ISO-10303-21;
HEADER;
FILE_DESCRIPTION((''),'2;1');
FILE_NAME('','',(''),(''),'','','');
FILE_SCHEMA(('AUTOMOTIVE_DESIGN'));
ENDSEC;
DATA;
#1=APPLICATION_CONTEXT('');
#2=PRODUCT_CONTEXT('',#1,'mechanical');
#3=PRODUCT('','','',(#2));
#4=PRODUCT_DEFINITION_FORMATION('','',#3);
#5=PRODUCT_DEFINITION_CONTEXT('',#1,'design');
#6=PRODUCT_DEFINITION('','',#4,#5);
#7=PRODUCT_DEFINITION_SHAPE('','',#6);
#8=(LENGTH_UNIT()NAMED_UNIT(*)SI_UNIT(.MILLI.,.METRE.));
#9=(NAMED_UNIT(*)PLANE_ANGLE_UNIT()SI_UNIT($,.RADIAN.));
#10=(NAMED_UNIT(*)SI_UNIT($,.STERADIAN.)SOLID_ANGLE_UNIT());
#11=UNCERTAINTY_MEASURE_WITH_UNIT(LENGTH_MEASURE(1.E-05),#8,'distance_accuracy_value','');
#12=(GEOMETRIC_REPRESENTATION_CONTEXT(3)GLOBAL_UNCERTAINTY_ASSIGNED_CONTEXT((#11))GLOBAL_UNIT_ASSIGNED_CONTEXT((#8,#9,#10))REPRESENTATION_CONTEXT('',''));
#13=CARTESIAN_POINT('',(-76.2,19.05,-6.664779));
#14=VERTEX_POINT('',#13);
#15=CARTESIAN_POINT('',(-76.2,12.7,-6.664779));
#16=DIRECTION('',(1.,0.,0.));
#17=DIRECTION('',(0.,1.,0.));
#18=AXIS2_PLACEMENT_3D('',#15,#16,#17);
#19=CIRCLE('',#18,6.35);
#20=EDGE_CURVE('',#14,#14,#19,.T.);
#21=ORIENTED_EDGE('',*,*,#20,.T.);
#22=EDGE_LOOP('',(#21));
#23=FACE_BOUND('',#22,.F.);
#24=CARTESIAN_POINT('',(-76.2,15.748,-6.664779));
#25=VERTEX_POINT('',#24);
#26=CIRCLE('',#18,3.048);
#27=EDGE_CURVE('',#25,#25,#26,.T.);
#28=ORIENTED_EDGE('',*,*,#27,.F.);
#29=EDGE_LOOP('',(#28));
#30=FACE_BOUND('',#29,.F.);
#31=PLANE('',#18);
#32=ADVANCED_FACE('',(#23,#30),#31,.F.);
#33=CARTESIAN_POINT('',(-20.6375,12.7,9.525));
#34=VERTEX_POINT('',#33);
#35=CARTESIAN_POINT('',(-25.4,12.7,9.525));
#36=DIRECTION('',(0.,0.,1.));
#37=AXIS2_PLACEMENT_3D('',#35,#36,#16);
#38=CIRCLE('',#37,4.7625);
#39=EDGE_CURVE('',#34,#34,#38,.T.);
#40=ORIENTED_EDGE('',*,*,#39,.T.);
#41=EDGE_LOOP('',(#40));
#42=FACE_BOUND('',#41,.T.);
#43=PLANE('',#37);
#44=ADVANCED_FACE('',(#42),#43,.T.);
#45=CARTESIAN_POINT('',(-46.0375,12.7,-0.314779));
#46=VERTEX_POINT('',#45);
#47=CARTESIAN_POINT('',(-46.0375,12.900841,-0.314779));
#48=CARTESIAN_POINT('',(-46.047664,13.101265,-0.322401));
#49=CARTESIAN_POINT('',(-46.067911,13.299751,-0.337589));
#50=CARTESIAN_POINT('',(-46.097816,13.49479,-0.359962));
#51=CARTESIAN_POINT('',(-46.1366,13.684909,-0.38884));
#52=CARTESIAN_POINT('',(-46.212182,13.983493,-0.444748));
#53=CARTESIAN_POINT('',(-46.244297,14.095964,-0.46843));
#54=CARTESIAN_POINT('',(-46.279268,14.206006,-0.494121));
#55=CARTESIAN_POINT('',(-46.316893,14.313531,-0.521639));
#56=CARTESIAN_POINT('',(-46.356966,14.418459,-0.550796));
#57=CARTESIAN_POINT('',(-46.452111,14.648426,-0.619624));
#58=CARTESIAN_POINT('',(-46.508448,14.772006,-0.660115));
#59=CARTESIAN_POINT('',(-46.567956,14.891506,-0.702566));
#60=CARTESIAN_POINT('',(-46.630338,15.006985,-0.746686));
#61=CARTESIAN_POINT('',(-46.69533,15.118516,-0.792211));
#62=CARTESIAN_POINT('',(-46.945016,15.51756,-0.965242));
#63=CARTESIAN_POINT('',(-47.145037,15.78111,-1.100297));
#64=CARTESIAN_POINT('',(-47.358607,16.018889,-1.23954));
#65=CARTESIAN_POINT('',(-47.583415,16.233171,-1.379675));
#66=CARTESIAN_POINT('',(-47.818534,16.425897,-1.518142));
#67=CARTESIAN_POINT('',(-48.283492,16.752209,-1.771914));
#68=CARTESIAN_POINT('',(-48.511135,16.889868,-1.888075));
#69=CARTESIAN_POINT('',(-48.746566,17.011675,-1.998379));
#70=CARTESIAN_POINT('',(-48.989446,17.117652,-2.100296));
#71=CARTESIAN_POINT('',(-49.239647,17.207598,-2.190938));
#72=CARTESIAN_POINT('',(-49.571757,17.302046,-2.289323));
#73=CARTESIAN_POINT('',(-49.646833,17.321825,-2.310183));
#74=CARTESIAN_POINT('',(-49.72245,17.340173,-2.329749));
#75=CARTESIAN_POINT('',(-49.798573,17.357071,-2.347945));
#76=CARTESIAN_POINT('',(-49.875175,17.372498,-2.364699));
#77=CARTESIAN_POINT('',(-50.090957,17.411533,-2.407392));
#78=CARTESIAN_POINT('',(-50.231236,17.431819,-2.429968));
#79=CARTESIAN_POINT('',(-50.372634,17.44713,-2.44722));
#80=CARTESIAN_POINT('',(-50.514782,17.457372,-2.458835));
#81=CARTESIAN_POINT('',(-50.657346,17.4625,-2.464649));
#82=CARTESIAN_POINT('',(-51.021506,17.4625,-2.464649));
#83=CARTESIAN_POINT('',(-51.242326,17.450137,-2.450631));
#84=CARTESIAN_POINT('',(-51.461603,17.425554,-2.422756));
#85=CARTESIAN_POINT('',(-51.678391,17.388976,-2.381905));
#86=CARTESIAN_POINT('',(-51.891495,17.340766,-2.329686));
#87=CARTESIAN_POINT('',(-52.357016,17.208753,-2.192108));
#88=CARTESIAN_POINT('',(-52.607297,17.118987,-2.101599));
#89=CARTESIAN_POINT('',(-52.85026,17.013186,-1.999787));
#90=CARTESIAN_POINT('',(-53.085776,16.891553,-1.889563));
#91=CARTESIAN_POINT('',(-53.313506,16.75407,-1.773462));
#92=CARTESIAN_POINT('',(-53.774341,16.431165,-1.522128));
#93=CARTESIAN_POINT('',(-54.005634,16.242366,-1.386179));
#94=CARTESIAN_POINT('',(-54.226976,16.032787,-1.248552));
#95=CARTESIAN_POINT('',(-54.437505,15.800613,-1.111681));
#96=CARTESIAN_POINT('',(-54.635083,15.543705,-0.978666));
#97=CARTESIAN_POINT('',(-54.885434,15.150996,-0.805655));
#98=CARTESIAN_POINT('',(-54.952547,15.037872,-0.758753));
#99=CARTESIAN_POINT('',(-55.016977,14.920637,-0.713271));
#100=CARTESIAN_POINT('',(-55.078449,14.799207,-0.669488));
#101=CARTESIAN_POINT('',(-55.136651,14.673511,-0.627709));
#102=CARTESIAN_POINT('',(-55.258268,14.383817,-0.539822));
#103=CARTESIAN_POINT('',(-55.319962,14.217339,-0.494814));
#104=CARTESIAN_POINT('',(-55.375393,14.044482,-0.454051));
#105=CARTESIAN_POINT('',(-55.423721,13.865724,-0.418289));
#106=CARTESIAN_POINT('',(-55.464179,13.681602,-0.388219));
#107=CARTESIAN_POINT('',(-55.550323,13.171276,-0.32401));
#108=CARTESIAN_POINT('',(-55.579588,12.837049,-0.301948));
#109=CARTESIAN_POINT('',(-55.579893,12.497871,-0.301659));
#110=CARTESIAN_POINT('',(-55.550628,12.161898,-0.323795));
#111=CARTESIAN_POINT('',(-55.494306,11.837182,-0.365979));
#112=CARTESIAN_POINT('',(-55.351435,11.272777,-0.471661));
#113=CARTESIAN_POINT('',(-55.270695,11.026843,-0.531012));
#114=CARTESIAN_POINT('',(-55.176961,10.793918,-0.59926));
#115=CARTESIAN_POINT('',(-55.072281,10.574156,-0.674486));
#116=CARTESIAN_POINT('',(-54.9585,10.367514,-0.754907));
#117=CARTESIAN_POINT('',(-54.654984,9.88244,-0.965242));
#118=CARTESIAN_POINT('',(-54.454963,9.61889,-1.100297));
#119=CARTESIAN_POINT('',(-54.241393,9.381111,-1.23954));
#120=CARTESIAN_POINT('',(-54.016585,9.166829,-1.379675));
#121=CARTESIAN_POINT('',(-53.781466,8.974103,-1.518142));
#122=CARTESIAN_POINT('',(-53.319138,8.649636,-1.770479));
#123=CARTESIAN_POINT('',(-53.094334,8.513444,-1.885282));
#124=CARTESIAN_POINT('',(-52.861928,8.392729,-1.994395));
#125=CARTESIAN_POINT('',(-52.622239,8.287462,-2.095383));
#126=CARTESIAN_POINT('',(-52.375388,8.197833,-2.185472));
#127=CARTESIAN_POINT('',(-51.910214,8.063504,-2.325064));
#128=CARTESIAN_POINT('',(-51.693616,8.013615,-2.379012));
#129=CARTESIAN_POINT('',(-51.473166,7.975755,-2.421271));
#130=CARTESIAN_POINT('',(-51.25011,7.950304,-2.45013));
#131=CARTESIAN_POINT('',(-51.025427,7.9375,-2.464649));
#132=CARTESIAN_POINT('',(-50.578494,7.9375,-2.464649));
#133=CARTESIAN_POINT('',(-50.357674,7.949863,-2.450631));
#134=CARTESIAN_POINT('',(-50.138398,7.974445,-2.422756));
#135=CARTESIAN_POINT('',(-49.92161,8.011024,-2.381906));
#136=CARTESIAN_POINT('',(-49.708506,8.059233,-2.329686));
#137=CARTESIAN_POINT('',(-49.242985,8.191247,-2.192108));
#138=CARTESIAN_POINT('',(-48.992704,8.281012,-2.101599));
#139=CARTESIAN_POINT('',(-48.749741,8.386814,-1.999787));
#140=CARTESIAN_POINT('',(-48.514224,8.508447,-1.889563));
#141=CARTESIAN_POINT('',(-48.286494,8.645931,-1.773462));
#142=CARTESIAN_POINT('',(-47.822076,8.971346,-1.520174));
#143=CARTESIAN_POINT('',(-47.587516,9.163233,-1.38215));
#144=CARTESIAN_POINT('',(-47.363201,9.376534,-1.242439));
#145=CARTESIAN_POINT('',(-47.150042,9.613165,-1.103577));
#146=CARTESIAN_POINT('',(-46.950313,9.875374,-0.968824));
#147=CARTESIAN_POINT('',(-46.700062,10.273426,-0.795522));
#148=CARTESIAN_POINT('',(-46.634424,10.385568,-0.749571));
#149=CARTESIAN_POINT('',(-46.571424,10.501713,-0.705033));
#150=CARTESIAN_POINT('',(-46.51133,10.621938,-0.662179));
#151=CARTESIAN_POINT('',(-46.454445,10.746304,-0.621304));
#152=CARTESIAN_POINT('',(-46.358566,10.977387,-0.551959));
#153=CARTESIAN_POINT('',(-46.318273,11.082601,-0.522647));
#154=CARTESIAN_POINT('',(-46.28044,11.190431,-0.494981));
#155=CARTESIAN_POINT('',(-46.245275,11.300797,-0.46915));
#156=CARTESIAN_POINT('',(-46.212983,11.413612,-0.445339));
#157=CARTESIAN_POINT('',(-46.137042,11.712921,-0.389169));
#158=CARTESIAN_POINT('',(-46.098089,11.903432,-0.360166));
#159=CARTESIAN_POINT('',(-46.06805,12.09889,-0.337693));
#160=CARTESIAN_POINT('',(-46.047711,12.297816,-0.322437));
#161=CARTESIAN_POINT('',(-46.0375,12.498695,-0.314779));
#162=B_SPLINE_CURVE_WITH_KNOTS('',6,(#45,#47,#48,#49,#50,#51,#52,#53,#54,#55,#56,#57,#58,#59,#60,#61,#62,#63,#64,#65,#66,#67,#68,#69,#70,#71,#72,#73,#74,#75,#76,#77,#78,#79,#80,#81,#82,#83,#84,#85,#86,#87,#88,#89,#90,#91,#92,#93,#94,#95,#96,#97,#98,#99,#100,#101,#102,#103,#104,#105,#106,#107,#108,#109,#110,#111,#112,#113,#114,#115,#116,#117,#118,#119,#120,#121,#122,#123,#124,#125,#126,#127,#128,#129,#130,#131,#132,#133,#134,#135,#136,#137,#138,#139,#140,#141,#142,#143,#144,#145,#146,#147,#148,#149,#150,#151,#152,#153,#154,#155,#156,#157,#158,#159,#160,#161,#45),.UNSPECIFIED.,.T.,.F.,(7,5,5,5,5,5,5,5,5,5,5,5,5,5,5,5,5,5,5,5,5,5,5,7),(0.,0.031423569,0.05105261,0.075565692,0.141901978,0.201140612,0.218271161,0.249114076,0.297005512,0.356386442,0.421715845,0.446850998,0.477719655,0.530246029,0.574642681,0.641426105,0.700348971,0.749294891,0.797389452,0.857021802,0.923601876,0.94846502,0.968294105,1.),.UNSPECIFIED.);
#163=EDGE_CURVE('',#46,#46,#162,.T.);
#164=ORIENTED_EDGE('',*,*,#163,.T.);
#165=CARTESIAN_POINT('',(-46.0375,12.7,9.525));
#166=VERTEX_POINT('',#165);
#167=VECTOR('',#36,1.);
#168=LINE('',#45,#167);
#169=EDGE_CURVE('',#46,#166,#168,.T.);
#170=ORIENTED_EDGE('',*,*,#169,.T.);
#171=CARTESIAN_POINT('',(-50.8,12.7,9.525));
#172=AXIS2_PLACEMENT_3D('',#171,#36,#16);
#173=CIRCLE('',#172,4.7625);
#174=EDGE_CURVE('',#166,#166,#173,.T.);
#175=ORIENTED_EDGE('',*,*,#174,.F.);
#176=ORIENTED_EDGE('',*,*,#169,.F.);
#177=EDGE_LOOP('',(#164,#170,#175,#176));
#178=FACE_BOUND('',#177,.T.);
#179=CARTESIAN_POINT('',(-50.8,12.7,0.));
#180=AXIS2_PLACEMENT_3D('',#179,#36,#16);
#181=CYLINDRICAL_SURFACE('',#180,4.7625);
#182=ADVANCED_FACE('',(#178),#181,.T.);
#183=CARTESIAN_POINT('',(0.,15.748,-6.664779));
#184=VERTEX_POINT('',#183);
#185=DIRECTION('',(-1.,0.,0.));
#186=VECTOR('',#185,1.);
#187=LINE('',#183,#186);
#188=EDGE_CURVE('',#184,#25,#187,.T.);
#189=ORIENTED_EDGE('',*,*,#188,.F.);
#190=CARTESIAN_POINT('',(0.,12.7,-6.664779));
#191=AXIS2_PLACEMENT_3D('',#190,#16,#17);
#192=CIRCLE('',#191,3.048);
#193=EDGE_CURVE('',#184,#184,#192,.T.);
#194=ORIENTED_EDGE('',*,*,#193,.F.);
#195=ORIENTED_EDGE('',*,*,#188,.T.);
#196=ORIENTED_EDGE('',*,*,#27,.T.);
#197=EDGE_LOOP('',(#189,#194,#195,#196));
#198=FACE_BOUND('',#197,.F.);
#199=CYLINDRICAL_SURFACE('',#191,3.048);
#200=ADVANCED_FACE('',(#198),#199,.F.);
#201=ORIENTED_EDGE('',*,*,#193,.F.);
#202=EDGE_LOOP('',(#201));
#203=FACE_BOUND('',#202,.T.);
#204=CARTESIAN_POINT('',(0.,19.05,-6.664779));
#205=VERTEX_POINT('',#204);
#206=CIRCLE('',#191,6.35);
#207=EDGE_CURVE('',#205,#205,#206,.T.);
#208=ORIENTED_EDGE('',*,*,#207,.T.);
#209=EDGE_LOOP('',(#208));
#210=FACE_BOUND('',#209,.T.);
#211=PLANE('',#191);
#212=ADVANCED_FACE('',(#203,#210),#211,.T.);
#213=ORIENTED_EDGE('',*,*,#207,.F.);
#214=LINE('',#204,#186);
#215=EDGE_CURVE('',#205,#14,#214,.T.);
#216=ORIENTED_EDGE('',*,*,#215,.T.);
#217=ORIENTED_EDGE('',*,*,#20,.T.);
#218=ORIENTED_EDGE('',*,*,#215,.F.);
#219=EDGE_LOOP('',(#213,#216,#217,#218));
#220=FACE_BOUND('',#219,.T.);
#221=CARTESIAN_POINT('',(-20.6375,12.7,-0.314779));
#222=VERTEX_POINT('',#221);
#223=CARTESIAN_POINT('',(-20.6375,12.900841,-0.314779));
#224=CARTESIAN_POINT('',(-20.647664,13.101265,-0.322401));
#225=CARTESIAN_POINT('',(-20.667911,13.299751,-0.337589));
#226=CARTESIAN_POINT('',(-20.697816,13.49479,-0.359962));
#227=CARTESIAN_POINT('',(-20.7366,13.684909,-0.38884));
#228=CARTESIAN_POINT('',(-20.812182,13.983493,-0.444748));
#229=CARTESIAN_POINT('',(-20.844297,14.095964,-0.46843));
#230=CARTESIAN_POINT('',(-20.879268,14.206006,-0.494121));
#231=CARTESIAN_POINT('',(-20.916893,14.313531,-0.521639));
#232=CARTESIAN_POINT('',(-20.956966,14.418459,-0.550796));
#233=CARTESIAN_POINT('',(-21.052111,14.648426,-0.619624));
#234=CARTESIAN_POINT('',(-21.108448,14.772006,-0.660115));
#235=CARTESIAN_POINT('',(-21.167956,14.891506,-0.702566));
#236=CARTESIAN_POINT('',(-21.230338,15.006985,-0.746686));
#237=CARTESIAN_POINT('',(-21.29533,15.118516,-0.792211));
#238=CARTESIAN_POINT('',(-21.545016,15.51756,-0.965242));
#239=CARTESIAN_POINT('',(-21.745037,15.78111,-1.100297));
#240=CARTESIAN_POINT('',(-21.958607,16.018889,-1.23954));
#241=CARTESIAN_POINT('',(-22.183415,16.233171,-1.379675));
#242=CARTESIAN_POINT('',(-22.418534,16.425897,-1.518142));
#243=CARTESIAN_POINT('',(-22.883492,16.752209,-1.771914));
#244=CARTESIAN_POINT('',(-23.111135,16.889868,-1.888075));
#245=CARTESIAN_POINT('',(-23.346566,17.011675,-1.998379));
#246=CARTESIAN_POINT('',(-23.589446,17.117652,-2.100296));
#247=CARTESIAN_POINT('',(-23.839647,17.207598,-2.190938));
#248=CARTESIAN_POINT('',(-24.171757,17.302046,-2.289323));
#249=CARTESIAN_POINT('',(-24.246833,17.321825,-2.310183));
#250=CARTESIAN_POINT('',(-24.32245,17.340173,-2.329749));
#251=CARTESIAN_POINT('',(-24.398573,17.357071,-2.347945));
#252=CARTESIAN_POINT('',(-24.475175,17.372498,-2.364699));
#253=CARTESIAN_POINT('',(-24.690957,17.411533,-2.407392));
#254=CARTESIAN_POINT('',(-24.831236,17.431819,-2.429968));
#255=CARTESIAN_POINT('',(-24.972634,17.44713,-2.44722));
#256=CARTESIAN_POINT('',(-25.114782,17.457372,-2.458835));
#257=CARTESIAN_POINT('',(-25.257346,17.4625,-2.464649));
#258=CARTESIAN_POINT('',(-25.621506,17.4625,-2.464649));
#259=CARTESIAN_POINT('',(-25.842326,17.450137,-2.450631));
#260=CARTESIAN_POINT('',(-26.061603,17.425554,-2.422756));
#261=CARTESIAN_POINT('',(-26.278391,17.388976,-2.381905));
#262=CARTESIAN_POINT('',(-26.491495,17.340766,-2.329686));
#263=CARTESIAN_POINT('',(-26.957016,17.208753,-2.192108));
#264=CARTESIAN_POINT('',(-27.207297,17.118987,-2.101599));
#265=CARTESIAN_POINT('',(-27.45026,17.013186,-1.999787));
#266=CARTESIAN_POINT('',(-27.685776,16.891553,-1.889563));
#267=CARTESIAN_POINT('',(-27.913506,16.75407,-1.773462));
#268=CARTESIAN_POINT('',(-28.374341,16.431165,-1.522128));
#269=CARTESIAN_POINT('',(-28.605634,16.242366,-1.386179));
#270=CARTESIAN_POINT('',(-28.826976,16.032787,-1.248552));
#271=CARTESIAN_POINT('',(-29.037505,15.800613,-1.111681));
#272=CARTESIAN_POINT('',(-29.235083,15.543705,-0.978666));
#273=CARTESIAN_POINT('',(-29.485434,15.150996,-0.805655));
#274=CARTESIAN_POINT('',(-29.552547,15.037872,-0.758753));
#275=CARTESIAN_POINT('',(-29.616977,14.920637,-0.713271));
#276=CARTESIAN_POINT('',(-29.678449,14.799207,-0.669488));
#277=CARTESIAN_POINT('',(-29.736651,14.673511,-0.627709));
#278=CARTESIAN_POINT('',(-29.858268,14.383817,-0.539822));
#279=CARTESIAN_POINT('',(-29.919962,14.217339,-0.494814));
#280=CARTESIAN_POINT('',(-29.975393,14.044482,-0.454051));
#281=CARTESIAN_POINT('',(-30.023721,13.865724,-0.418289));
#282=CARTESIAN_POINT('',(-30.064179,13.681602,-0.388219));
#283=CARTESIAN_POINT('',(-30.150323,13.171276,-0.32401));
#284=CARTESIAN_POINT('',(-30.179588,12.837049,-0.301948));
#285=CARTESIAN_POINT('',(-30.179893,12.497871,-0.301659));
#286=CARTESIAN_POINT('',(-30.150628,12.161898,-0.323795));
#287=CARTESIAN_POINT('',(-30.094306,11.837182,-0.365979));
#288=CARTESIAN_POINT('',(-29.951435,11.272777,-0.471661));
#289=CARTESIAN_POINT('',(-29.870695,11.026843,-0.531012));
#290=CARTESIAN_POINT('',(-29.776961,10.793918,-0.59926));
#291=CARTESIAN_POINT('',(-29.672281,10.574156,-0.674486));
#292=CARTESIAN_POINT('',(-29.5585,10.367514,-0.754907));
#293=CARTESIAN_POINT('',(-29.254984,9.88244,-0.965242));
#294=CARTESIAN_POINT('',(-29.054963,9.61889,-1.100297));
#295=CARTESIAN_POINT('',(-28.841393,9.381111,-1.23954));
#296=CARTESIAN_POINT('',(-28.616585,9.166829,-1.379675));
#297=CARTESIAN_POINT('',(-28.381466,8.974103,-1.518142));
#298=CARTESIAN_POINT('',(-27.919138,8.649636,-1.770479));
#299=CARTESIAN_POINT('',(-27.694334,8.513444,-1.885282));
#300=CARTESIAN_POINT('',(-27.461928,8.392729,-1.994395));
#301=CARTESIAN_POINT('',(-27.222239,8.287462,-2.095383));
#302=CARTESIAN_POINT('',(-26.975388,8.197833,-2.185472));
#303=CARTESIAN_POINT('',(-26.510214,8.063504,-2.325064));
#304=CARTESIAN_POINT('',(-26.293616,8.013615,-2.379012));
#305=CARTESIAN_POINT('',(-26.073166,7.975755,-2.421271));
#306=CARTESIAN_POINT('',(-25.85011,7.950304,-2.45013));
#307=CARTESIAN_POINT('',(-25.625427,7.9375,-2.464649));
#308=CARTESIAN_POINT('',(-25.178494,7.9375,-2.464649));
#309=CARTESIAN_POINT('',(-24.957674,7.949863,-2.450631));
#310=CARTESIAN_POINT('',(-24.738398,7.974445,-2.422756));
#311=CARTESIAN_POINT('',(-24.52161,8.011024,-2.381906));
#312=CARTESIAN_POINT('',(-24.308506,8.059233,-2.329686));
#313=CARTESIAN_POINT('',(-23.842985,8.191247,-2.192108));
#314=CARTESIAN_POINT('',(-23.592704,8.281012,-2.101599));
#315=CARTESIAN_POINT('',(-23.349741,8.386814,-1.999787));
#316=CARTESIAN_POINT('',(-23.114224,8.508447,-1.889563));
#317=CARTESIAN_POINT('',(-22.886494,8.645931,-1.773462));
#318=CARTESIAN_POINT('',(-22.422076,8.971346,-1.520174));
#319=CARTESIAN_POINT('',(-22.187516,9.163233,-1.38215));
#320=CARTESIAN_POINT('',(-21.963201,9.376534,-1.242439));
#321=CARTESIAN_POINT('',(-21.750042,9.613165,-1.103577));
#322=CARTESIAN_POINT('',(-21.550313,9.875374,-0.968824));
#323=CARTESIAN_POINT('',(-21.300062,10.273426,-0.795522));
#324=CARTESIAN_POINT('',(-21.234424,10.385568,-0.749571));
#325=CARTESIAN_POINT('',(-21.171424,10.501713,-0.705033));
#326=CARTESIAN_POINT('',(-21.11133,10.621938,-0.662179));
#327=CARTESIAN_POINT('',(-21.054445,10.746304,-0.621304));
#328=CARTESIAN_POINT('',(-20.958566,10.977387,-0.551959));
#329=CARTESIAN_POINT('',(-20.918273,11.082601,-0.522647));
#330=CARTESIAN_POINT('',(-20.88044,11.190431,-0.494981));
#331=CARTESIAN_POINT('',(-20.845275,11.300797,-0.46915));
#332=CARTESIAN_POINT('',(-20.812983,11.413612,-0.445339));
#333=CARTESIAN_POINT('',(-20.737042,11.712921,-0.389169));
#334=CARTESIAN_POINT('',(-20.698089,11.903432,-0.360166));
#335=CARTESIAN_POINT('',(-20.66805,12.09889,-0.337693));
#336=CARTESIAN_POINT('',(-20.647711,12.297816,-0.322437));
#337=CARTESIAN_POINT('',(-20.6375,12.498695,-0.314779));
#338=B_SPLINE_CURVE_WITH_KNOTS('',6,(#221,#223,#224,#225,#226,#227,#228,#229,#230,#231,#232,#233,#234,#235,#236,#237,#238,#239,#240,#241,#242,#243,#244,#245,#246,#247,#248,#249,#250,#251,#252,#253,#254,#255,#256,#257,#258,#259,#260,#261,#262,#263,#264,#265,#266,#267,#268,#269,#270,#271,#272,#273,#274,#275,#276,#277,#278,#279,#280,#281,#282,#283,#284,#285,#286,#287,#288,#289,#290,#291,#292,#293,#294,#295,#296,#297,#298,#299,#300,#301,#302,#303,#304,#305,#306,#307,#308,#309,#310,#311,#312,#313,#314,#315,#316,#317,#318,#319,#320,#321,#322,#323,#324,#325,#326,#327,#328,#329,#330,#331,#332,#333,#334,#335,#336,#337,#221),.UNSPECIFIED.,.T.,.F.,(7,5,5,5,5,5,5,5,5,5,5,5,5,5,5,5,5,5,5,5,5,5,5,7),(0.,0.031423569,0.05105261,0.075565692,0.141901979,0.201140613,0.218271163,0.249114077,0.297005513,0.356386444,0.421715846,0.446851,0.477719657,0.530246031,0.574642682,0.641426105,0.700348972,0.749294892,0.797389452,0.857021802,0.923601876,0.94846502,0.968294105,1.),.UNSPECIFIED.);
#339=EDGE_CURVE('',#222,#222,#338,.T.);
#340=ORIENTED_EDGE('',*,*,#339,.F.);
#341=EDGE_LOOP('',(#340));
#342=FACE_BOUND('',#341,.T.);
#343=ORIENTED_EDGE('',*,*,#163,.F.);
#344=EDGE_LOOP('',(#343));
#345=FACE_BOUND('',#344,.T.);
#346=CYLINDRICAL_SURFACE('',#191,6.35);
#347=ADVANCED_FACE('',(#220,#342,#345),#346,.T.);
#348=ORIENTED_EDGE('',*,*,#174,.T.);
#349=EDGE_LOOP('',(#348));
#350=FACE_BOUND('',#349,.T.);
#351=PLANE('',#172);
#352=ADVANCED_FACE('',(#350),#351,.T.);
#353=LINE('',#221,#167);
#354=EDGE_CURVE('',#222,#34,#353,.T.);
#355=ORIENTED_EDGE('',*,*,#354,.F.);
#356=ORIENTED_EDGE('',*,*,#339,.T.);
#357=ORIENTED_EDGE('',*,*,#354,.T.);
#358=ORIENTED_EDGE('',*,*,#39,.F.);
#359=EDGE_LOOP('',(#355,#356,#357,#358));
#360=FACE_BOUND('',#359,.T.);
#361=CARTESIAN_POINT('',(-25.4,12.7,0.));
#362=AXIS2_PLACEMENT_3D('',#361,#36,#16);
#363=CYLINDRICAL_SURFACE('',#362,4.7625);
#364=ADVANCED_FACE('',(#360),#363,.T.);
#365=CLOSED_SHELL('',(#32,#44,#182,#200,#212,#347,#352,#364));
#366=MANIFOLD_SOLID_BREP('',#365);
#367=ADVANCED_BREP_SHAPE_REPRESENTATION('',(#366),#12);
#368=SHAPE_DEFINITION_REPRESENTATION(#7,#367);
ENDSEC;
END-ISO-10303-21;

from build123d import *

# Parameters (mm, degrees)
F0_R          = 6.35
F1_DEPTH      = 76.2
F2_R          = 3.048
F3_DEPTH      = 76.2
F4_R          = 4.7625
F5_DEPTH      = 9.525
F5_DEPTH_BACK = 2.54


with BuildPart() as f1:
    # F0 (on Right) → F1 (new body)
    with BuildSketch(Plane.YZ):
        with Locations((12.7, -6.664779)):
            Circle(F0_R)
    extrude(amount=-F1_DEPTH)

    # F2 (on face) → F3 (cut, through all)
    with BuildSketch(Plane.YZ):
        with Locations((12.7, -6.664779)):
            Circle(F2_R)
    extrude(amount=-F3_DEPTH, mode=Mode.SUBTRACT)

    # F4 (on Top) → F5 (join, two sides)
    with BuildSketch(Plane.XY) as f5_sk:
        with Locations((-50.8, 12.7)):
            Circle(F4_R)
        with Locations((-25.4, 12.7)):
            Circle(F4_R)
    extrude(amount=F5_DEPTH)
    extrude(f5_sk.sketch, amount=-F5_DEPTH_BACK)


solid = f1.part
